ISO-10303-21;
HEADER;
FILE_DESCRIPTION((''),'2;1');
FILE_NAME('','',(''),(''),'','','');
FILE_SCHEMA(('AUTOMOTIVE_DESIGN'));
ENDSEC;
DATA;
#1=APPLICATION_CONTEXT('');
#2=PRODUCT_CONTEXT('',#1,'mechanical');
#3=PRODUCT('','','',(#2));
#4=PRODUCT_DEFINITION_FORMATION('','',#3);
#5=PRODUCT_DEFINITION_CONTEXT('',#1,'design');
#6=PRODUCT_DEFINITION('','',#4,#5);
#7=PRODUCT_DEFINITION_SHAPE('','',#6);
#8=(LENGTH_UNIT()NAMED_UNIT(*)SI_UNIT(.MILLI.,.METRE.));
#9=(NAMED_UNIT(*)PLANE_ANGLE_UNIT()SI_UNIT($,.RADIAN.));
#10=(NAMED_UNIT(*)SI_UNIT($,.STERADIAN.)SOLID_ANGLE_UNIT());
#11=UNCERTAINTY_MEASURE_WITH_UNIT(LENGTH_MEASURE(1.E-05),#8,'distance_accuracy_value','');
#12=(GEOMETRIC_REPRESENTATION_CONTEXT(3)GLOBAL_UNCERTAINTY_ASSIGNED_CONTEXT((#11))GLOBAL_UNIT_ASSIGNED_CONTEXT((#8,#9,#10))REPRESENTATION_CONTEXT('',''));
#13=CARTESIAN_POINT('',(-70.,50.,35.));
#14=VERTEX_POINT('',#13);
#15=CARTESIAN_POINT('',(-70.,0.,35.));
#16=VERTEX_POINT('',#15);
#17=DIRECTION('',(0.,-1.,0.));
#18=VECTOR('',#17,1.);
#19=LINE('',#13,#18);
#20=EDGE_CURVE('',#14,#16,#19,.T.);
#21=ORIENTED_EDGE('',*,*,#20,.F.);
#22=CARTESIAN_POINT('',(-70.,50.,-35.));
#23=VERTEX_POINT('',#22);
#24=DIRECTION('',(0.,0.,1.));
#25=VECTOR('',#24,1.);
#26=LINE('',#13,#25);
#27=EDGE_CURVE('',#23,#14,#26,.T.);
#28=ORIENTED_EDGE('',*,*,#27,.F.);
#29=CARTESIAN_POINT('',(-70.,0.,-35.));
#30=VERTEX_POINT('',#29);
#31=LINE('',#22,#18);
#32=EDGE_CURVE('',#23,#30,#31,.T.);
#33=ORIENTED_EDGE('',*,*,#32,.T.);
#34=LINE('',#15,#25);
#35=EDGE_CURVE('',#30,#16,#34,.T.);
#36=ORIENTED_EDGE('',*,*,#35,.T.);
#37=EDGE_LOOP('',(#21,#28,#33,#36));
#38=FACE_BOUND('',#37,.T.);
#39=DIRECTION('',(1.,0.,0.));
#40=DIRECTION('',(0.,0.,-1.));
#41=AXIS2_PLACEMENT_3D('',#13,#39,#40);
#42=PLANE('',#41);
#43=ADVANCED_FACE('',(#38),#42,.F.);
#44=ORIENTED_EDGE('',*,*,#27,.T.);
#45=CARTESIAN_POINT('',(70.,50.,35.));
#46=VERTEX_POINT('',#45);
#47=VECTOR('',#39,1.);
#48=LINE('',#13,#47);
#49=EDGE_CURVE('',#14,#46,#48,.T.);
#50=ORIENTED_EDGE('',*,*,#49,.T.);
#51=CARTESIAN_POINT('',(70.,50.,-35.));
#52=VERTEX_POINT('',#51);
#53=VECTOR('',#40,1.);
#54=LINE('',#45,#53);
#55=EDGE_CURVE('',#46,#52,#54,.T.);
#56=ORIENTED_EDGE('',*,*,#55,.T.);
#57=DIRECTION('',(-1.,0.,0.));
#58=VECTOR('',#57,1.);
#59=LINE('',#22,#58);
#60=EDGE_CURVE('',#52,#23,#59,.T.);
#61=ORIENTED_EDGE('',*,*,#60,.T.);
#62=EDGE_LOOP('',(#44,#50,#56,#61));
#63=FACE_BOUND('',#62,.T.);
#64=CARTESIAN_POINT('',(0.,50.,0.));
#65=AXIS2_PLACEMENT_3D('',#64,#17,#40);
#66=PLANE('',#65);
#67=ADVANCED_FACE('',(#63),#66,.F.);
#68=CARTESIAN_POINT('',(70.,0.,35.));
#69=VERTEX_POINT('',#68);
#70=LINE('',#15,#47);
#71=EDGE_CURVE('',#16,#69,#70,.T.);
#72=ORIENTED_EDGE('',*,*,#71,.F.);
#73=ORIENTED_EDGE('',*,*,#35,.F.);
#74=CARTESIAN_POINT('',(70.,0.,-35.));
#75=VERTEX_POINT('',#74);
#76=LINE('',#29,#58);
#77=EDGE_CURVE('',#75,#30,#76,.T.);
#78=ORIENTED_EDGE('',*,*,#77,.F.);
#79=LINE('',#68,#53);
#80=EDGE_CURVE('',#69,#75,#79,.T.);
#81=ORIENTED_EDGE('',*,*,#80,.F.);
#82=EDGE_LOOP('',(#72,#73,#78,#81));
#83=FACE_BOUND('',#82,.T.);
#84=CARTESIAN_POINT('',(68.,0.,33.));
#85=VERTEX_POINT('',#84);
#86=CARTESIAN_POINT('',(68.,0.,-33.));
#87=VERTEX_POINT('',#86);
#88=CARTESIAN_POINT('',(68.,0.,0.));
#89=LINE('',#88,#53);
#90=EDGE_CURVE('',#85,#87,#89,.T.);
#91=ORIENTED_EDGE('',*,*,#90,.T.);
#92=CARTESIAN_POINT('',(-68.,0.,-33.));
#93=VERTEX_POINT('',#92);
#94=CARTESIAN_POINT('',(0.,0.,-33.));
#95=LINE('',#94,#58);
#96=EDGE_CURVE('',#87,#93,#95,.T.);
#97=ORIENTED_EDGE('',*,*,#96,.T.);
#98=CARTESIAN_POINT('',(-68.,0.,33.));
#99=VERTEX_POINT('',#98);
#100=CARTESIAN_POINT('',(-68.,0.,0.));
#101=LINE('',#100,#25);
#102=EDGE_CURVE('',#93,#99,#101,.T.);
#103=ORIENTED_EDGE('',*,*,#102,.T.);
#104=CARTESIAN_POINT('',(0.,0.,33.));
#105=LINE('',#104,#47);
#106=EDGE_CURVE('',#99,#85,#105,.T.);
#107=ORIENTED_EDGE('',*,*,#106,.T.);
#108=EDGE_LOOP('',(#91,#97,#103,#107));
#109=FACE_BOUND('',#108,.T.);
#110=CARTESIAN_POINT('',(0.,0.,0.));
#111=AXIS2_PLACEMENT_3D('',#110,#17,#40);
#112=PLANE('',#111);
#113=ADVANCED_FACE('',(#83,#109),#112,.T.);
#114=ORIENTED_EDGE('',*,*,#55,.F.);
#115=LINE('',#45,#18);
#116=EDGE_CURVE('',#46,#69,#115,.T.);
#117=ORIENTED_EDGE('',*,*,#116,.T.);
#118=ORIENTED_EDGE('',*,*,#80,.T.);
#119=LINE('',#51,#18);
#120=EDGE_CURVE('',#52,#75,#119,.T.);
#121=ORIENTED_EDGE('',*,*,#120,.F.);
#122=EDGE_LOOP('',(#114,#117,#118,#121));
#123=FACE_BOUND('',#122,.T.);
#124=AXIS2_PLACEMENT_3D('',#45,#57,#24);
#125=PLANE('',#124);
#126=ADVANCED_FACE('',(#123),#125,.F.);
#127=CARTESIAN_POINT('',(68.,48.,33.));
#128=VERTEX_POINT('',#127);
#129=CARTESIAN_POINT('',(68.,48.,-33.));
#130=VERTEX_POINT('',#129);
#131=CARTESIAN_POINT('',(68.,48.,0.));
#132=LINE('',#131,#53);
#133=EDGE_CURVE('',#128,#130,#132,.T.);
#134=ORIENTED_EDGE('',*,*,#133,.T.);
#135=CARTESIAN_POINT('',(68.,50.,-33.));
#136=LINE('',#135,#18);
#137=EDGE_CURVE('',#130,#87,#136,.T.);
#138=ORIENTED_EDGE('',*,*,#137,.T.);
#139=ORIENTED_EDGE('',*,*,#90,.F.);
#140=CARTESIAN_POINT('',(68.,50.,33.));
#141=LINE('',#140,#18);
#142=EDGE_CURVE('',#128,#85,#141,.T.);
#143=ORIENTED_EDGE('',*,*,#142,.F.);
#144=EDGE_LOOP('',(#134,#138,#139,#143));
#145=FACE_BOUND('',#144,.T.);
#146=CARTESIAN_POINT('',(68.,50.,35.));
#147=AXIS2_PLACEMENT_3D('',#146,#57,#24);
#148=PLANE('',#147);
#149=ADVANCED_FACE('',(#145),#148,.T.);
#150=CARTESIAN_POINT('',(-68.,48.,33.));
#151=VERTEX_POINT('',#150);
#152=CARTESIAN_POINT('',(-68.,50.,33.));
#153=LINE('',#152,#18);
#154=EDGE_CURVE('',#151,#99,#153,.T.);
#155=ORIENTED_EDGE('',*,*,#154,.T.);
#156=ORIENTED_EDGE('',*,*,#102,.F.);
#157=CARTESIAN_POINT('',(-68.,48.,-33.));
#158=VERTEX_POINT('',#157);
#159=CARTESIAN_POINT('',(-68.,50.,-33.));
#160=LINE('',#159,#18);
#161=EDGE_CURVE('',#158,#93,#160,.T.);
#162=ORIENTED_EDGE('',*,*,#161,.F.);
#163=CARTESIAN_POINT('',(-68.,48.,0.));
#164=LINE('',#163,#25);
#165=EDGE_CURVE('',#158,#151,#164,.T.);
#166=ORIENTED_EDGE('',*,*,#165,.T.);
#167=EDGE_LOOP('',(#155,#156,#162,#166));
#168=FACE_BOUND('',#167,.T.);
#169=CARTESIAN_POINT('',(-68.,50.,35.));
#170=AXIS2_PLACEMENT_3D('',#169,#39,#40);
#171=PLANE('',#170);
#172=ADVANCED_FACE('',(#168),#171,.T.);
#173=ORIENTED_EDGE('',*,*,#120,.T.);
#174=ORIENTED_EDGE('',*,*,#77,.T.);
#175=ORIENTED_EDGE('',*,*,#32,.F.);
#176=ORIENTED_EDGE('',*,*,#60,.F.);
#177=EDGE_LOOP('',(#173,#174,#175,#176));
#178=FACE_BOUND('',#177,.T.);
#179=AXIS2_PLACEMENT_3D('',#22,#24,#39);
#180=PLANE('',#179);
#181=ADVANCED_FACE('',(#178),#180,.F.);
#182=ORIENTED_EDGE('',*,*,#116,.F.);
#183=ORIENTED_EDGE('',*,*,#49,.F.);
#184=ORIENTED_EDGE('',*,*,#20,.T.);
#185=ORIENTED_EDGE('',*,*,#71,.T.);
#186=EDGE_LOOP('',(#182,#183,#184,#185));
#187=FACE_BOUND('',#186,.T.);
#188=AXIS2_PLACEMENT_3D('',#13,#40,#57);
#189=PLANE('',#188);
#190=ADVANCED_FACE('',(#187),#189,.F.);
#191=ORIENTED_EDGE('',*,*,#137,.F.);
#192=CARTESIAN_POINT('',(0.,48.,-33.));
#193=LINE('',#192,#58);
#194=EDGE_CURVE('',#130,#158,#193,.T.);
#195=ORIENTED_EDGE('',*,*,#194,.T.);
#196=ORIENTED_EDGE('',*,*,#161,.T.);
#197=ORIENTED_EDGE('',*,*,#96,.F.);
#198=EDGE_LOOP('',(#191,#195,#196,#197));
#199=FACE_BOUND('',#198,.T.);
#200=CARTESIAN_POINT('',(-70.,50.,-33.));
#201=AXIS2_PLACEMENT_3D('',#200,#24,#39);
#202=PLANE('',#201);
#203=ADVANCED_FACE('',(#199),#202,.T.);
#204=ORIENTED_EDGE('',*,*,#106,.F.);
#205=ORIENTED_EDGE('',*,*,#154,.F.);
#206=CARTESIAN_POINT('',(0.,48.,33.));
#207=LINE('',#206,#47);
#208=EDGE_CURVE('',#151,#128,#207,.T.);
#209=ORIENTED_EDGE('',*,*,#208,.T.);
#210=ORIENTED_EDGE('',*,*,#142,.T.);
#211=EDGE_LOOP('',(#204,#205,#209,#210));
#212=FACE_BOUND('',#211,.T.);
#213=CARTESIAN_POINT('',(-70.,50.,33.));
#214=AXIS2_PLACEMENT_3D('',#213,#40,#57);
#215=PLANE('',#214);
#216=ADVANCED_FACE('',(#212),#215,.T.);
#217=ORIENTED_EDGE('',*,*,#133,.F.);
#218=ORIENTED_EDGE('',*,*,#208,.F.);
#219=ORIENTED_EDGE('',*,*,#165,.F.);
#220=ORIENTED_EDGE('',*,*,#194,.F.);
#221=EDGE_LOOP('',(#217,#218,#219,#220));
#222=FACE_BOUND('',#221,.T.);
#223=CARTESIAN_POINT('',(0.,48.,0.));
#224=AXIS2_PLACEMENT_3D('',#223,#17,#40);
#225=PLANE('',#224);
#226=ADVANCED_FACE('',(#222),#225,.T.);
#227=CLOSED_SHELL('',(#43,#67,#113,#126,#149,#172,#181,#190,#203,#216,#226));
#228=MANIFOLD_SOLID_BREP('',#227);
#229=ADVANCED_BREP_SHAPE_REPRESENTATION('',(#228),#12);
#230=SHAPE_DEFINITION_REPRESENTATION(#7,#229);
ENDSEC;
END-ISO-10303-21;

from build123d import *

# Parameters (mm, degrees)
SKETCH1_W           = 140
SKETCH1_H           = 70
BOSS_EXTRUDE1_DEPTH = 50
SHELL1_T            = -2


with BuildPart() as part:
    # Sketch1 → Boss-Extrude1 (new body)
    with BuildSketch(Plane(origin=(0, 0, 0), x_dir=(1, 0, 0), z_dir=(0, 1, 0))):
        Rectangle(SKETCH1_W, SKETCH1_H)
    extrude(amount=BOSS_EXTRUDE1_DEPTH)

    # Shell1
    shell1_openings = [part.faces().sort_by_distance(p)[0] for p in [
        (0, 0, 0),
    ]]
    offset(amount=SHELL1_T, openings=shell1_openings, kind=Kind.INTERSECTION)


solid = part.part
